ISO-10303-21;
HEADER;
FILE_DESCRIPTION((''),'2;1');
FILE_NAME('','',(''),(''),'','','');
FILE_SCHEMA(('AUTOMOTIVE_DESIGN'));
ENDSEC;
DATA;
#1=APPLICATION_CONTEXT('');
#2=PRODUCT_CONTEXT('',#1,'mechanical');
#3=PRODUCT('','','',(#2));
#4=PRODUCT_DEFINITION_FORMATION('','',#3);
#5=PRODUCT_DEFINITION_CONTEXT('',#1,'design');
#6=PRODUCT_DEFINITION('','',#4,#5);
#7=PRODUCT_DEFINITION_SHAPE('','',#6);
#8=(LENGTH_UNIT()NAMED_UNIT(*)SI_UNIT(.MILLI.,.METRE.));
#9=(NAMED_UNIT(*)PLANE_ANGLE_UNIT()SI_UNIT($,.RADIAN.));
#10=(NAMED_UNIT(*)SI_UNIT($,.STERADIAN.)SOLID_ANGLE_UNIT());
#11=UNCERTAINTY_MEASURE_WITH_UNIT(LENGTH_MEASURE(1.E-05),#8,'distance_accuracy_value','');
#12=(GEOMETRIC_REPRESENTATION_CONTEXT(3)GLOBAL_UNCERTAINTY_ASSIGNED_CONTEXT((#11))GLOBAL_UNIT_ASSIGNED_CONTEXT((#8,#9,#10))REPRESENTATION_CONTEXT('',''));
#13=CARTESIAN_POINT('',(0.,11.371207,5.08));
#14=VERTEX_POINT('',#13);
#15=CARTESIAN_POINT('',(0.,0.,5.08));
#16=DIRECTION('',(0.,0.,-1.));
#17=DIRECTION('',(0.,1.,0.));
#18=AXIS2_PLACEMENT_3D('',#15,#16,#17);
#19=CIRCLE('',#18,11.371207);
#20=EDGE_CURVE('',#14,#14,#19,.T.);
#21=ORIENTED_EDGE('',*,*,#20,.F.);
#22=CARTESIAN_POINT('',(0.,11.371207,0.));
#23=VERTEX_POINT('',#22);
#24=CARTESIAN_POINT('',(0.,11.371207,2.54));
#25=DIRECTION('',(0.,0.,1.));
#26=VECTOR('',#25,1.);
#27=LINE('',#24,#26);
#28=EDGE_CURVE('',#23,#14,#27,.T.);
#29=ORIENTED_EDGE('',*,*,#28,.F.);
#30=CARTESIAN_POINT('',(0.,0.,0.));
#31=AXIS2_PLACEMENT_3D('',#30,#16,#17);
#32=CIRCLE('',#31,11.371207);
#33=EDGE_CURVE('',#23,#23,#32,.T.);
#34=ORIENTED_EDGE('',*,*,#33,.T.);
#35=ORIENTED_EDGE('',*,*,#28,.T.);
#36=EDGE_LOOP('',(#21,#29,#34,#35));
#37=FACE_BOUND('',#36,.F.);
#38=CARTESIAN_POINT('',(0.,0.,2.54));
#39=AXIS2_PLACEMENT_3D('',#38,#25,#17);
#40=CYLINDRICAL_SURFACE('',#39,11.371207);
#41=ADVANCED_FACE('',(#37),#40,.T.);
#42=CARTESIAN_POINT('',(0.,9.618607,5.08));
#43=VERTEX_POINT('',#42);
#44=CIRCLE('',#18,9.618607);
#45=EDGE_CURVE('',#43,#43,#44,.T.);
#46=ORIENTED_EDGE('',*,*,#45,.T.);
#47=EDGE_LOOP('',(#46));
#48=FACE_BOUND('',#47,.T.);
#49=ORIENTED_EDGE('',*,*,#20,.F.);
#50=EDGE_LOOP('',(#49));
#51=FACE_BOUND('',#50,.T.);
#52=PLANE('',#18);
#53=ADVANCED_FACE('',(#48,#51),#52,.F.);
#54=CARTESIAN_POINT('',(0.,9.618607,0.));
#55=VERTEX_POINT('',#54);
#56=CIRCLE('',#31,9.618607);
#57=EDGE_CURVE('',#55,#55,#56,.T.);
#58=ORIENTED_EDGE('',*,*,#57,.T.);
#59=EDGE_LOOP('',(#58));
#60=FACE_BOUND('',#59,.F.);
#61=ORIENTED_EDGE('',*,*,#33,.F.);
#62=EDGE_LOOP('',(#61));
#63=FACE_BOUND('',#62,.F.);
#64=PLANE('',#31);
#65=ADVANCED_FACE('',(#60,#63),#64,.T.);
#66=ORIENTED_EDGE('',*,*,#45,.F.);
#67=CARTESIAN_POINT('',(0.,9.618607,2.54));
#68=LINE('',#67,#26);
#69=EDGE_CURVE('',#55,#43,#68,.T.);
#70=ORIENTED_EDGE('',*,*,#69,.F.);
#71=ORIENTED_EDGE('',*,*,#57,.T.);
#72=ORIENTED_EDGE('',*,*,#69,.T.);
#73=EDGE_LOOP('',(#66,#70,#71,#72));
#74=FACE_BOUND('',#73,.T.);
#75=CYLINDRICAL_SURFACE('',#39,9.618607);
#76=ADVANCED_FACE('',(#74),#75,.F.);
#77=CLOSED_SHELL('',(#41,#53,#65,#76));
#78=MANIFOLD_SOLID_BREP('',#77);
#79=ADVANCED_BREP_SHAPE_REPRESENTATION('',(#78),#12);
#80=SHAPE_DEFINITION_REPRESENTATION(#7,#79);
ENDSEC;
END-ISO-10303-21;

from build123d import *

# Parameters (mm, degrees)
F0_W = 11.3712074235
F0_H = 5.08
F2_T = -1.7526


with BuildPart() as f1:
    # F0 (on Right) → F1 (revolve)
    with BuildSketch(Plane.YZ):
        with Locations((5.6856037118, 2.54)):
            Rectangle(F0_W, F0_H)
    revolve(axis=Axis((0, 0, 2.54), (0, 0, -1)))

    # F2
    f2_openings = [f1.faces().sort_by_distance(p)[0] for p in [
        (0, 0, 5.08),
        (0, 0, 0),
    ]]
    offset(amount=F2_T, openings=f2_openings)


solid = f1.part
